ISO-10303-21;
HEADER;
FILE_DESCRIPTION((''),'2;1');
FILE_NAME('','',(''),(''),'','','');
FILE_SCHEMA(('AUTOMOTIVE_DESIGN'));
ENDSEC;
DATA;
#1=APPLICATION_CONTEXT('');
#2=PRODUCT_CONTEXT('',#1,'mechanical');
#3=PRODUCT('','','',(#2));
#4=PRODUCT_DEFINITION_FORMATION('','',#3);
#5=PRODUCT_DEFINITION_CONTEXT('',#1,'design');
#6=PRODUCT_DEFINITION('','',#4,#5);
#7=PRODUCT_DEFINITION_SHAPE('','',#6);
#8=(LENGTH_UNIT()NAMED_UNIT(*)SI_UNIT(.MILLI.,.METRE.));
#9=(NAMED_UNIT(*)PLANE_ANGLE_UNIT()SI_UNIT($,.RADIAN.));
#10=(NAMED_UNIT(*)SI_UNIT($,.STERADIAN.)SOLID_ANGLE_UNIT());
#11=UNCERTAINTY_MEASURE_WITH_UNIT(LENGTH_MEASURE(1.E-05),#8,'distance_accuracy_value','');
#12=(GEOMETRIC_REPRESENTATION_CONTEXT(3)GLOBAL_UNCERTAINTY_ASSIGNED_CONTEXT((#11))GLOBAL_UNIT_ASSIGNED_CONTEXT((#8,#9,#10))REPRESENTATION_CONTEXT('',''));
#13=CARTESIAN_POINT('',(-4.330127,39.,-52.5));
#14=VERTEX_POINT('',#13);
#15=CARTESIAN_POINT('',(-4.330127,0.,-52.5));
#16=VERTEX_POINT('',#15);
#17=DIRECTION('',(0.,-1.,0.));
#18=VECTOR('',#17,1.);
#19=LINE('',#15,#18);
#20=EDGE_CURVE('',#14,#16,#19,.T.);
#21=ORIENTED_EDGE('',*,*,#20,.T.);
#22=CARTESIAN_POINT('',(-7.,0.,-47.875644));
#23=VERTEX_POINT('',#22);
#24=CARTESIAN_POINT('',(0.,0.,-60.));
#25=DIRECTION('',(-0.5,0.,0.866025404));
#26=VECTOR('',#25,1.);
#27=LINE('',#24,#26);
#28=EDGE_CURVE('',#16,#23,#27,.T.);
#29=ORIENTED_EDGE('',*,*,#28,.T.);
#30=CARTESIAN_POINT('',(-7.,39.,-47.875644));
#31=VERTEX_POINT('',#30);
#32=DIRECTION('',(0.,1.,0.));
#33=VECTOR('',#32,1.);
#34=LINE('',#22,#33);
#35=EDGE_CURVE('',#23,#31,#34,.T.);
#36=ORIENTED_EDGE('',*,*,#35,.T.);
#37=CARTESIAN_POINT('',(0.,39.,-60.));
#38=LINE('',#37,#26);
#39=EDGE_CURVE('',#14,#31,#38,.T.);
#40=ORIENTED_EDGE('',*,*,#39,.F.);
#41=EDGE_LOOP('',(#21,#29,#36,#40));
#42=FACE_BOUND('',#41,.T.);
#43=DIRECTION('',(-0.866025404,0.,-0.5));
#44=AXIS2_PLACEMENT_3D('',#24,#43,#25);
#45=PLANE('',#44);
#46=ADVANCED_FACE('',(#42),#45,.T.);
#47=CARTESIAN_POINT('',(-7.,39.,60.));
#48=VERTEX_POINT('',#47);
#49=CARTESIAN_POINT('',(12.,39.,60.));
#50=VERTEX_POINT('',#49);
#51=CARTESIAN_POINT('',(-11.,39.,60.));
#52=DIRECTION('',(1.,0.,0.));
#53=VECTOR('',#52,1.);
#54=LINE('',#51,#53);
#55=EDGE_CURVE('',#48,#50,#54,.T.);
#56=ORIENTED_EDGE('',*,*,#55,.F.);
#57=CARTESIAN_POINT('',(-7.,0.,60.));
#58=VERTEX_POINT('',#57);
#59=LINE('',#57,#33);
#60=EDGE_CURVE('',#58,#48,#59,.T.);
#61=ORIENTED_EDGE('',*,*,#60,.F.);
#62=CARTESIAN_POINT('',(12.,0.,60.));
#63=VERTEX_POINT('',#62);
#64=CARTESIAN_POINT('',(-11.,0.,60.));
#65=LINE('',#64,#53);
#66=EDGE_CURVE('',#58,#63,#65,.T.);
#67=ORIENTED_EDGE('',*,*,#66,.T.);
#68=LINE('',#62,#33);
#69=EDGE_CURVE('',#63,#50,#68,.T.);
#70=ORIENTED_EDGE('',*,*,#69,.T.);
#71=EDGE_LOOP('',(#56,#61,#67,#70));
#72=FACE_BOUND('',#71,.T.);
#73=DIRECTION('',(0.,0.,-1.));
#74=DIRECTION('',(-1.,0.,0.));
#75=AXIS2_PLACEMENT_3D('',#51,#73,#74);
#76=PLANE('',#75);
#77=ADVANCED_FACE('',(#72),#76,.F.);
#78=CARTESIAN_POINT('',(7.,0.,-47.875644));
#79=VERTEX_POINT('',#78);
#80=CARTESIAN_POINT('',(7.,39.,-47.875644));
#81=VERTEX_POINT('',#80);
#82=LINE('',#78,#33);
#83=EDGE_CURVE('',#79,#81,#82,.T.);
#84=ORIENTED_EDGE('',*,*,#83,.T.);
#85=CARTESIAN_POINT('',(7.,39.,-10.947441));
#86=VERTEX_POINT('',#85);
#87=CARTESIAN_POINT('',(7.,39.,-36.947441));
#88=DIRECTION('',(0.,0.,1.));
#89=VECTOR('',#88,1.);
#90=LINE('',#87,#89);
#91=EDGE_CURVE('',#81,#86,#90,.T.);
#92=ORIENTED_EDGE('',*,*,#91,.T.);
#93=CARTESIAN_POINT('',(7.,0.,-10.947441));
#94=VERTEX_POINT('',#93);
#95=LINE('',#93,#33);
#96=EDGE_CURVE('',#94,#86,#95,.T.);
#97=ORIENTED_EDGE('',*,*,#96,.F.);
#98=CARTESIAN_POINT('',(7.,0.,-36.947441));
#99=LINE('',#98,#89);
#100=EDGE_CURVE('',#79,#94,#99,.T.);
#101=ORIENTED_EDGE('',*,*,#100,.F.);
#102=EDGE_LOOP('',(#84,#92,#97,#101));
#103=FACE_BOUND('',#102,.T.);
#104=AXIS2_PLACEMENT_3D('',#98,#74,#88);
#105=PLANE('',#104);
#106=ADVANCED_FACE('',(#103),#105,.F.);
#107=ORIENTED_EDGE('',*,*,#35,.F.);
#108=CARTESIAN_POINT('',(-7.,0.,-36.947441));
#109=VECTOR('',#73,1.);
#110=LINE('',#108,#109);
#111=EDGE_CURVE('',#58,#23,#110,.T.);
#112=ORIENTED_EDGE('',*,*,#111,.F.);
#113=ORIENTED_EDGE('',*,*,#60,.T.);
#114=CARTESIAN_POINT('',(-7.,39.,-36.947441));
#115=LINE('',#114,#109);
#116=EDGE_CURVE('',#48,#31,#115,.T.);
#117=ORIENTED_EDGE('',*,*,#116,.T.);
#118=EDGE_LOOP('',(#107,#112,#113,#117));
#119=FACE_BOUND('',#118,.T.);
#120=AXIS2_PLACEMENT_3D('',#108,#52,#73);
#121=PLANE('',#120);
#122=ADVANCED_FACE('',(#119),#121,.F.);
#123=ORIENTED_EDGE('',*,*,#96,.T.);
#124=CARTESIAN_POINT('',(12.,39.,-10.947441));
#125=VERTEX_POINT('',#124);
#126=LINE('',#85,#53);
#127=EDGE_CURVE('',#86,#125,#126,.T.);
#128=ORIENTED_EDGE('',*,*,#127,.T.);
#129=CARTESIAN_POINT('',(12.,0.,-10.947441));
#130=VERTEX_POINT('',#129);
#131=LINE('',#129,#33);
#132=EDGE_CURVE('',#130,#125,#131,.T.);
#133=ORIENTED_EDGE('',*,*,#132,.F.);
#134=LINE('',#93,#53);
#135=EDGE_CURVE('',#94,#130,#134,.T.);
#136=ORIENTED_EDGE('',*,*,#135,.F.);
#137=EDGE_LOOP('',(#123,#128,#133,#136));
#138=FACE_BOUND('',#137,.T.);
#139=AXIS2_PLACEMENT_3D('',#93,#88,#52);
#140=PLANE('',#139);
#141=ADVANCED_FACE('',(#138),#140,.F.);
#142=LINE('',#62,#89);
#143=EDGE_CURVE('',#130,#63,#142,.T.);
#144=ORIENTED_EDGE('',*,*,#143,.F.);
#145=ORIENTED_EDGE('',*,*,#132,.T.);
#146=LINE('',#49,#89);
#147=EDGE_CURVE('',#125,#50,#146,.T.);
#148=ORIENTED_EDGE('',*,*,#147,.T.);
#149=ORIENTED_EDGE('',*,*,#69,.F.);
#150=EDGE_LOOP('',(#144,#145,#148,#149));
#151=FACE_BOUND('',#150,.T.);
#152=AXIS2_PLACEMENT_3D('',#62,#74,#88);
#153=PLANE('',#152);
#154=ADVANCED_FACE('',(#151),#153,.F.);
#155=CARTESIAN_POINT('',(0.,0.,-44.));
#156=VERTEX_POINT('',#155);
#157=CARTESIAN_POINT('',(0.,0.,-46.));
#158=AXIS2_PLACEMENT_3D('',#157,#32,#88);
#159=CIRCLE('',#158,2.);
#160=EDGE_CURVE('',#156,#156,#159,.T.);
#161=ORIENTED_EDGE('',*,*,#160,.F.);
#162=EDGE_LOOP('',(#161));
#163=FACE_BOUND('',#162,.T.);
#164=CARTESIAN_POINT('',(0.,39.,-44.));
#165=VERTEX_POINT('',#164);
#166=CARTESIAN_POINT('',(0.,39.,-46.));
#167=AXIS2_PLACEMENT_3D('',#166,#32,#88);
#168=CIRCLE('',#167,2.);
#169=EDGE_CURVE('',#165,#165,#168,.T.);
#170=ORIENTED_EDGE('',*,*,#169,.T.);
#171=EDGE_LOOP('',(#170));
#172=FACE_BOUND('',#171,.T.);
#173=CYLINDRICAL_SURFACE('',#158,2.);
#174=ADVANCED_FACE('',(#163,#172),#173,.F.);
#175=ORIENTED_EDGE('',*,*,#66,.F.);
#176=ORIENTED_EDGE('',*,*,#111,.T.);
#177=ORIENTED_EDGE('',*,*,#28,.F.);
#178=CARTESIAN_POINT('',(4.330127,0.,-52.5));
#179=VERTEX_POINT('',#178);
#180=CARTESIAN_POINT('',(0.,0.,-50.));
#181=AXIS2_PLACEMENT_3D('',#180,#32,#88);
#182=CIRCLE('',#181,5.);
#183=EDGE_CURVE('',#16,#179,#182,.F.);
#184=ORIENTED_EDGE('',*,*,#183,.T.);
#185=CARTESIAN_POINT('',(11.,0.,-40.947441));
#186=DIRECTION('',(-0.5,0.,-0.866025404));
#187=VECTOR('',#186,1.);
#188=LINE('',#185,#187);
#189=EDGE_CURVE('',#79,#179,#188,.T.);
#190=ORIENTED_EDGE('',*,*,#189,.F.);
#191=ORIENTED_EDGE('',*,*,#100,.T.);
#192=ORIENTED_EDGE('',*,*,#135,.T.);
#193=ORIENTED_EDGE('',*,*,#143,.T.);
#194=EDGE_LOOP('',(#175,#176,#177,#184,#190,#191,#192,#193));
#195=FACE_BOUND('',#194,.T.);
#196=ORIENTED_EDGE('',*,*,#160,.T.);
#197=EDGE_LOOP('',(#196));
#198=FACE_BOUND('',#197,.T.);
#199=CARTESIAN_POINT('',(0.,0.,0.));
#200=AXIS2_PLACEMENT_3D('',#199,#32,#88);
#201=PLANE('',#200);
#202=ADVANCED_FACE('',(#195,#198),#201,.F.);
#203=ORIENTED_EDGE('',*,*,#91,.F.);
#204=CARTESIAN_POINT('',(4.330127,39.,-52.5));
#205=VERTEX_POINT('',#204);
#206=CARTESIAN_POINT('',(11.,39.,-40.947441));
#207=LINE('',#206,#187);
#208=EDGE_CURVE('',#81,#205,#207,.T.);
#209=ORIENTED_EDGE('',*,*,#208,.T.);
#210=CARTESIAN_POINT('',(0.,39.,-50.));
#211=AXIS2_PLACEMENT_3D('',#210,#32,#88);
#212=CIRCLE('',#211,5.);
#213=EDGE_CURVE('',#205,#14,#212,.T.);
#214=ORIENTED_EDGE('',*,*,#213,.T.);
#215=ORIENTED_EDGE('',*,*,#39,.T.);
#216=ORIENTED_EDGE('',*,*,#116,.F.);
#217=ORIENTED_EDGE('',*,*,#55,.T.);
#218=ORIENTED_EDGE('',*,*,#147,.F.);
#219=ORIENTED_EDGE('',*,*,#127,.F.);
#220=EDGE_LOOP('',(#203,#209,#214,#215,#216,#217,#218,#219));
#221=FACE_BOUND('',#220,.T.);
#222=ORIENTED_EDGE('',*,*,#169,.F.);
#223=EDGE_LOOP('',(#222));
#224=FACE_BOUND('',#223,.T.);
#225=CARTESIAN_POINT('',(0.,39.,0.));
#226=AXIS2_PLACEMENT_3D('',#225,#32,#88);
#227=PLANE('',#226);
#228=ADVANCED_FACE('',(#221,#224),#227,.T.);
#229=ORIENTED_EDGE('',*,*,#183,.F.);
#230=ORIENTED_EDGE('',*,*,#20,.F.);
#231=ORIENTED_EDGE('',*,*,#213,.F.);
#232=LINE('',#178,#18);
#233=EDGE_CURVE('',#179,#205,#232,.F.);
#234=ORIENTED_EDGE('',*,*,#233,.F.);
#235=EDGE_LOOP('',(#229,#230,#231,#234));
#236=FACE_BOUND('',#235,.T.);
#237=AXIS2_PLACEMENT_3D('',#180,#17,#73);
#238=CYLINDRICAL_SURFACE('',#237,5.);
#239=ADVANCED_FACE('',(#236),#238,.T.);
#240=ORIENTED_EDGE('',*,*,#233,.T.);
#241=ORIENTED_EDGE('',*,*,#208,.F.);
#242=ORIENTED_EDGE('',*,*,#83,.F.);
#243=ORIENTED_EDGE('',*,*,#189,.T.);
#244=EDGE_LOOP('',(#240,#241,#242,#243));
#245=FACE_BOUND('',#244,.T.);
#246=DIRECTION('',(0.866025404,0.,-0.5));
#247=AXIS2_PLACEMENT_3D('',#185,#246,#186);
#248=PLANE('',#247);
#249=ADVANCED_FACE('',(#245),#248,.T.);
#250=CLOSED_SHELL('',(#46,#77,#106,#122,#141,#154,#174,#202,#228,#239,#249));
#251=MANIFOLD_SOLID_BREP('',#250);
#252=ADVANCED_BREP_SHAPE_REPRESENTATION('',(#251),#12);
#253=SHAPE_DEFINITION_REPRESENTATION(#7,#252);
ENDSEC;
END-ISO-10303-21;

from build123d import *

# Parameters (mm, degrees)
SKETCH1_W           = 22
SKETCH1_H           = 120
BOSS_EXTRUDE1_DEPTH = 39
SKETCH2_OUTSIDE_W   = 49.616
SKETCH2_OUTSIDE_H   = 147.616
CUT_EXTRUDE1_DEPTH  = 73.40165744
FILLET1_R           = 5
CUT_EXTRUDE2_DEPTH  = 73.40165744
SKETCH4_W           = 96.947441117
SKETCH4_H           = 39
BOSS_EXTRUDE2_DEPTH = 5
SKETCH5_W           = 4
SKETCH5_H           = 96.947441117
CUT_EXTRUDE3_DEPTH  = 74.328030111
SKETCH6_W           = 4
SKETCH6_H           = 96.947441117
CUT_EXTRUDE4_DEPTH  = 74.328030111
SKETCH7_R           = 2
CUT_EXTRUDE5_DEPTH  = 73.560319735
SKETCH8_W           = 5
SKETCH8_H           = 26
CUT_EXTRUDE6_DEPTH  = 73.560319735


with BuildPart() as part:
    # Sketch1 → Boss-Extrude1 (new body)
    with BuildSketch(Plane(origin=(0, 0, 0), x_dir=(1, 0, 0), z_dir=(0, 1, 0))):
        Rectangle(SKETCH1_W, SKETCH1_H)
    extrude(amount=BOSS_EXTRUDE1_DEPTH)

    # Sketch2 outside → Cut-Extrude1 (cut, through all)
    with BuildSketch(Plane(origin=(0, 39, 0), x_dir=(1, 0, 0), z_dir=(0, 1, 0))):
        Rectangle(SKETCH2_OUTSIDE_W, SKETCH2_OUTSIDE_H)
        Polygon((0, 60), (-11, 40.947441117), (-11, -60), (11, -60), (11, 40.947441117), align=None, mode=Mode.SUBTRACT)
    extrude(amount=-CUT_EXTRUDE1_DEPTH, mode=Mode.SUBTRACT)

    # Fillet1
    fillet1_edges = [part.edges().sort_by_distance(p)[0] for p in [
        (0, 19.5, -60),
    ]]
    fillet(fillet1_edges, radius=FILLET1_R)

    # Sketch3 → Cut-Extrude2 (cut, through all)
    with BuildSketch(Plane(origin=(0, 39, 0), x_dir=(1, 0, 0), z_dir=(0, 1, 0))):
        Polygon((-11, 36.947441117), (-7, 36.947441117), (-7, 47.875644347), (-11, 40.947441117), align=None)
        Polygon((7, 47.875644347), (11, 40.947441117), (11, 36.947441117), (7, 36.947441117), align=None)
    extrude(amount=-CUT_EXTRUDE2_DEPTH, mode=Mode.SUBTRACT)

    # Sketch4 → Boss-Extrude2 (add)
    with BuildSketch(Plane(origin=(11, 0, 0), x_dir=(0, 0, -1), z_dir=(1, 0, 0))):
        with Locations((-11.526279442, 19.5)):
            Rectangle(SKETCH4_W, SKETCH4_H)
    extrude(amount=BOSS_EXTRUDE2_DEPTH)

    # Sketch5 → Cut-Extrude3 (cut, through all)
    with BuildSketch(Plane(origin=(0, 39, 0), x_dir=(1, 0, 0), z_dir=(0, 1, 0))):
        with Locations((-9, -11.526279442)):
            Rectangle(SKETCH5_W, SKETCH5_H)
    extrude(amount=-CUT_EXTRUDE3_DEPTH, mode=Mode.SUBTRACT)

    # Sketch6 → Cut-Extrude4 (cut, through all)
    with BuildSketch(Plane(origin=(0, 39, 0), x_dir=(1, 0, 0), z_dir=(0, 1, 0))):
        with Locations((14, -11.526279442)):
            Rectangle(SKETCH6_W, SKETCH6_H)
    extrude(amount=-CUT_EXTRUDE4_DEPTH, mode=Mode.SUBTRACT)

    # Sketch7 → Cut-Extrude5 (cut, through all)
    with BuildSketch(Plane(origin=(0, 39, 0), x_dir=(1, 0, 0), z_dir=(0, 1, 0))):
        with Locations((0, 46)):
            Circle(SKETCH7_R)
    extrude(amount=-CUT_EXTRUDE5_DEPTH, mode=Mode.SUBTRACT)

    # Sketch8 → Cut-Extrude6 (cut, through all)
    with BuildSketch(Plane(origin=(0, 39, 0), x_dir=(1, 0, 0), z_dir=(0, 1, 0))):
        with Locations((9.5, 23.947441117)):
            Rectangle(SKETCH8_W, SKETCH8_H)
    extrude(amount=-CUT_EXTRUDE6_DEPTH, mode=Mode.SUBTRACT)


solid = part.part
